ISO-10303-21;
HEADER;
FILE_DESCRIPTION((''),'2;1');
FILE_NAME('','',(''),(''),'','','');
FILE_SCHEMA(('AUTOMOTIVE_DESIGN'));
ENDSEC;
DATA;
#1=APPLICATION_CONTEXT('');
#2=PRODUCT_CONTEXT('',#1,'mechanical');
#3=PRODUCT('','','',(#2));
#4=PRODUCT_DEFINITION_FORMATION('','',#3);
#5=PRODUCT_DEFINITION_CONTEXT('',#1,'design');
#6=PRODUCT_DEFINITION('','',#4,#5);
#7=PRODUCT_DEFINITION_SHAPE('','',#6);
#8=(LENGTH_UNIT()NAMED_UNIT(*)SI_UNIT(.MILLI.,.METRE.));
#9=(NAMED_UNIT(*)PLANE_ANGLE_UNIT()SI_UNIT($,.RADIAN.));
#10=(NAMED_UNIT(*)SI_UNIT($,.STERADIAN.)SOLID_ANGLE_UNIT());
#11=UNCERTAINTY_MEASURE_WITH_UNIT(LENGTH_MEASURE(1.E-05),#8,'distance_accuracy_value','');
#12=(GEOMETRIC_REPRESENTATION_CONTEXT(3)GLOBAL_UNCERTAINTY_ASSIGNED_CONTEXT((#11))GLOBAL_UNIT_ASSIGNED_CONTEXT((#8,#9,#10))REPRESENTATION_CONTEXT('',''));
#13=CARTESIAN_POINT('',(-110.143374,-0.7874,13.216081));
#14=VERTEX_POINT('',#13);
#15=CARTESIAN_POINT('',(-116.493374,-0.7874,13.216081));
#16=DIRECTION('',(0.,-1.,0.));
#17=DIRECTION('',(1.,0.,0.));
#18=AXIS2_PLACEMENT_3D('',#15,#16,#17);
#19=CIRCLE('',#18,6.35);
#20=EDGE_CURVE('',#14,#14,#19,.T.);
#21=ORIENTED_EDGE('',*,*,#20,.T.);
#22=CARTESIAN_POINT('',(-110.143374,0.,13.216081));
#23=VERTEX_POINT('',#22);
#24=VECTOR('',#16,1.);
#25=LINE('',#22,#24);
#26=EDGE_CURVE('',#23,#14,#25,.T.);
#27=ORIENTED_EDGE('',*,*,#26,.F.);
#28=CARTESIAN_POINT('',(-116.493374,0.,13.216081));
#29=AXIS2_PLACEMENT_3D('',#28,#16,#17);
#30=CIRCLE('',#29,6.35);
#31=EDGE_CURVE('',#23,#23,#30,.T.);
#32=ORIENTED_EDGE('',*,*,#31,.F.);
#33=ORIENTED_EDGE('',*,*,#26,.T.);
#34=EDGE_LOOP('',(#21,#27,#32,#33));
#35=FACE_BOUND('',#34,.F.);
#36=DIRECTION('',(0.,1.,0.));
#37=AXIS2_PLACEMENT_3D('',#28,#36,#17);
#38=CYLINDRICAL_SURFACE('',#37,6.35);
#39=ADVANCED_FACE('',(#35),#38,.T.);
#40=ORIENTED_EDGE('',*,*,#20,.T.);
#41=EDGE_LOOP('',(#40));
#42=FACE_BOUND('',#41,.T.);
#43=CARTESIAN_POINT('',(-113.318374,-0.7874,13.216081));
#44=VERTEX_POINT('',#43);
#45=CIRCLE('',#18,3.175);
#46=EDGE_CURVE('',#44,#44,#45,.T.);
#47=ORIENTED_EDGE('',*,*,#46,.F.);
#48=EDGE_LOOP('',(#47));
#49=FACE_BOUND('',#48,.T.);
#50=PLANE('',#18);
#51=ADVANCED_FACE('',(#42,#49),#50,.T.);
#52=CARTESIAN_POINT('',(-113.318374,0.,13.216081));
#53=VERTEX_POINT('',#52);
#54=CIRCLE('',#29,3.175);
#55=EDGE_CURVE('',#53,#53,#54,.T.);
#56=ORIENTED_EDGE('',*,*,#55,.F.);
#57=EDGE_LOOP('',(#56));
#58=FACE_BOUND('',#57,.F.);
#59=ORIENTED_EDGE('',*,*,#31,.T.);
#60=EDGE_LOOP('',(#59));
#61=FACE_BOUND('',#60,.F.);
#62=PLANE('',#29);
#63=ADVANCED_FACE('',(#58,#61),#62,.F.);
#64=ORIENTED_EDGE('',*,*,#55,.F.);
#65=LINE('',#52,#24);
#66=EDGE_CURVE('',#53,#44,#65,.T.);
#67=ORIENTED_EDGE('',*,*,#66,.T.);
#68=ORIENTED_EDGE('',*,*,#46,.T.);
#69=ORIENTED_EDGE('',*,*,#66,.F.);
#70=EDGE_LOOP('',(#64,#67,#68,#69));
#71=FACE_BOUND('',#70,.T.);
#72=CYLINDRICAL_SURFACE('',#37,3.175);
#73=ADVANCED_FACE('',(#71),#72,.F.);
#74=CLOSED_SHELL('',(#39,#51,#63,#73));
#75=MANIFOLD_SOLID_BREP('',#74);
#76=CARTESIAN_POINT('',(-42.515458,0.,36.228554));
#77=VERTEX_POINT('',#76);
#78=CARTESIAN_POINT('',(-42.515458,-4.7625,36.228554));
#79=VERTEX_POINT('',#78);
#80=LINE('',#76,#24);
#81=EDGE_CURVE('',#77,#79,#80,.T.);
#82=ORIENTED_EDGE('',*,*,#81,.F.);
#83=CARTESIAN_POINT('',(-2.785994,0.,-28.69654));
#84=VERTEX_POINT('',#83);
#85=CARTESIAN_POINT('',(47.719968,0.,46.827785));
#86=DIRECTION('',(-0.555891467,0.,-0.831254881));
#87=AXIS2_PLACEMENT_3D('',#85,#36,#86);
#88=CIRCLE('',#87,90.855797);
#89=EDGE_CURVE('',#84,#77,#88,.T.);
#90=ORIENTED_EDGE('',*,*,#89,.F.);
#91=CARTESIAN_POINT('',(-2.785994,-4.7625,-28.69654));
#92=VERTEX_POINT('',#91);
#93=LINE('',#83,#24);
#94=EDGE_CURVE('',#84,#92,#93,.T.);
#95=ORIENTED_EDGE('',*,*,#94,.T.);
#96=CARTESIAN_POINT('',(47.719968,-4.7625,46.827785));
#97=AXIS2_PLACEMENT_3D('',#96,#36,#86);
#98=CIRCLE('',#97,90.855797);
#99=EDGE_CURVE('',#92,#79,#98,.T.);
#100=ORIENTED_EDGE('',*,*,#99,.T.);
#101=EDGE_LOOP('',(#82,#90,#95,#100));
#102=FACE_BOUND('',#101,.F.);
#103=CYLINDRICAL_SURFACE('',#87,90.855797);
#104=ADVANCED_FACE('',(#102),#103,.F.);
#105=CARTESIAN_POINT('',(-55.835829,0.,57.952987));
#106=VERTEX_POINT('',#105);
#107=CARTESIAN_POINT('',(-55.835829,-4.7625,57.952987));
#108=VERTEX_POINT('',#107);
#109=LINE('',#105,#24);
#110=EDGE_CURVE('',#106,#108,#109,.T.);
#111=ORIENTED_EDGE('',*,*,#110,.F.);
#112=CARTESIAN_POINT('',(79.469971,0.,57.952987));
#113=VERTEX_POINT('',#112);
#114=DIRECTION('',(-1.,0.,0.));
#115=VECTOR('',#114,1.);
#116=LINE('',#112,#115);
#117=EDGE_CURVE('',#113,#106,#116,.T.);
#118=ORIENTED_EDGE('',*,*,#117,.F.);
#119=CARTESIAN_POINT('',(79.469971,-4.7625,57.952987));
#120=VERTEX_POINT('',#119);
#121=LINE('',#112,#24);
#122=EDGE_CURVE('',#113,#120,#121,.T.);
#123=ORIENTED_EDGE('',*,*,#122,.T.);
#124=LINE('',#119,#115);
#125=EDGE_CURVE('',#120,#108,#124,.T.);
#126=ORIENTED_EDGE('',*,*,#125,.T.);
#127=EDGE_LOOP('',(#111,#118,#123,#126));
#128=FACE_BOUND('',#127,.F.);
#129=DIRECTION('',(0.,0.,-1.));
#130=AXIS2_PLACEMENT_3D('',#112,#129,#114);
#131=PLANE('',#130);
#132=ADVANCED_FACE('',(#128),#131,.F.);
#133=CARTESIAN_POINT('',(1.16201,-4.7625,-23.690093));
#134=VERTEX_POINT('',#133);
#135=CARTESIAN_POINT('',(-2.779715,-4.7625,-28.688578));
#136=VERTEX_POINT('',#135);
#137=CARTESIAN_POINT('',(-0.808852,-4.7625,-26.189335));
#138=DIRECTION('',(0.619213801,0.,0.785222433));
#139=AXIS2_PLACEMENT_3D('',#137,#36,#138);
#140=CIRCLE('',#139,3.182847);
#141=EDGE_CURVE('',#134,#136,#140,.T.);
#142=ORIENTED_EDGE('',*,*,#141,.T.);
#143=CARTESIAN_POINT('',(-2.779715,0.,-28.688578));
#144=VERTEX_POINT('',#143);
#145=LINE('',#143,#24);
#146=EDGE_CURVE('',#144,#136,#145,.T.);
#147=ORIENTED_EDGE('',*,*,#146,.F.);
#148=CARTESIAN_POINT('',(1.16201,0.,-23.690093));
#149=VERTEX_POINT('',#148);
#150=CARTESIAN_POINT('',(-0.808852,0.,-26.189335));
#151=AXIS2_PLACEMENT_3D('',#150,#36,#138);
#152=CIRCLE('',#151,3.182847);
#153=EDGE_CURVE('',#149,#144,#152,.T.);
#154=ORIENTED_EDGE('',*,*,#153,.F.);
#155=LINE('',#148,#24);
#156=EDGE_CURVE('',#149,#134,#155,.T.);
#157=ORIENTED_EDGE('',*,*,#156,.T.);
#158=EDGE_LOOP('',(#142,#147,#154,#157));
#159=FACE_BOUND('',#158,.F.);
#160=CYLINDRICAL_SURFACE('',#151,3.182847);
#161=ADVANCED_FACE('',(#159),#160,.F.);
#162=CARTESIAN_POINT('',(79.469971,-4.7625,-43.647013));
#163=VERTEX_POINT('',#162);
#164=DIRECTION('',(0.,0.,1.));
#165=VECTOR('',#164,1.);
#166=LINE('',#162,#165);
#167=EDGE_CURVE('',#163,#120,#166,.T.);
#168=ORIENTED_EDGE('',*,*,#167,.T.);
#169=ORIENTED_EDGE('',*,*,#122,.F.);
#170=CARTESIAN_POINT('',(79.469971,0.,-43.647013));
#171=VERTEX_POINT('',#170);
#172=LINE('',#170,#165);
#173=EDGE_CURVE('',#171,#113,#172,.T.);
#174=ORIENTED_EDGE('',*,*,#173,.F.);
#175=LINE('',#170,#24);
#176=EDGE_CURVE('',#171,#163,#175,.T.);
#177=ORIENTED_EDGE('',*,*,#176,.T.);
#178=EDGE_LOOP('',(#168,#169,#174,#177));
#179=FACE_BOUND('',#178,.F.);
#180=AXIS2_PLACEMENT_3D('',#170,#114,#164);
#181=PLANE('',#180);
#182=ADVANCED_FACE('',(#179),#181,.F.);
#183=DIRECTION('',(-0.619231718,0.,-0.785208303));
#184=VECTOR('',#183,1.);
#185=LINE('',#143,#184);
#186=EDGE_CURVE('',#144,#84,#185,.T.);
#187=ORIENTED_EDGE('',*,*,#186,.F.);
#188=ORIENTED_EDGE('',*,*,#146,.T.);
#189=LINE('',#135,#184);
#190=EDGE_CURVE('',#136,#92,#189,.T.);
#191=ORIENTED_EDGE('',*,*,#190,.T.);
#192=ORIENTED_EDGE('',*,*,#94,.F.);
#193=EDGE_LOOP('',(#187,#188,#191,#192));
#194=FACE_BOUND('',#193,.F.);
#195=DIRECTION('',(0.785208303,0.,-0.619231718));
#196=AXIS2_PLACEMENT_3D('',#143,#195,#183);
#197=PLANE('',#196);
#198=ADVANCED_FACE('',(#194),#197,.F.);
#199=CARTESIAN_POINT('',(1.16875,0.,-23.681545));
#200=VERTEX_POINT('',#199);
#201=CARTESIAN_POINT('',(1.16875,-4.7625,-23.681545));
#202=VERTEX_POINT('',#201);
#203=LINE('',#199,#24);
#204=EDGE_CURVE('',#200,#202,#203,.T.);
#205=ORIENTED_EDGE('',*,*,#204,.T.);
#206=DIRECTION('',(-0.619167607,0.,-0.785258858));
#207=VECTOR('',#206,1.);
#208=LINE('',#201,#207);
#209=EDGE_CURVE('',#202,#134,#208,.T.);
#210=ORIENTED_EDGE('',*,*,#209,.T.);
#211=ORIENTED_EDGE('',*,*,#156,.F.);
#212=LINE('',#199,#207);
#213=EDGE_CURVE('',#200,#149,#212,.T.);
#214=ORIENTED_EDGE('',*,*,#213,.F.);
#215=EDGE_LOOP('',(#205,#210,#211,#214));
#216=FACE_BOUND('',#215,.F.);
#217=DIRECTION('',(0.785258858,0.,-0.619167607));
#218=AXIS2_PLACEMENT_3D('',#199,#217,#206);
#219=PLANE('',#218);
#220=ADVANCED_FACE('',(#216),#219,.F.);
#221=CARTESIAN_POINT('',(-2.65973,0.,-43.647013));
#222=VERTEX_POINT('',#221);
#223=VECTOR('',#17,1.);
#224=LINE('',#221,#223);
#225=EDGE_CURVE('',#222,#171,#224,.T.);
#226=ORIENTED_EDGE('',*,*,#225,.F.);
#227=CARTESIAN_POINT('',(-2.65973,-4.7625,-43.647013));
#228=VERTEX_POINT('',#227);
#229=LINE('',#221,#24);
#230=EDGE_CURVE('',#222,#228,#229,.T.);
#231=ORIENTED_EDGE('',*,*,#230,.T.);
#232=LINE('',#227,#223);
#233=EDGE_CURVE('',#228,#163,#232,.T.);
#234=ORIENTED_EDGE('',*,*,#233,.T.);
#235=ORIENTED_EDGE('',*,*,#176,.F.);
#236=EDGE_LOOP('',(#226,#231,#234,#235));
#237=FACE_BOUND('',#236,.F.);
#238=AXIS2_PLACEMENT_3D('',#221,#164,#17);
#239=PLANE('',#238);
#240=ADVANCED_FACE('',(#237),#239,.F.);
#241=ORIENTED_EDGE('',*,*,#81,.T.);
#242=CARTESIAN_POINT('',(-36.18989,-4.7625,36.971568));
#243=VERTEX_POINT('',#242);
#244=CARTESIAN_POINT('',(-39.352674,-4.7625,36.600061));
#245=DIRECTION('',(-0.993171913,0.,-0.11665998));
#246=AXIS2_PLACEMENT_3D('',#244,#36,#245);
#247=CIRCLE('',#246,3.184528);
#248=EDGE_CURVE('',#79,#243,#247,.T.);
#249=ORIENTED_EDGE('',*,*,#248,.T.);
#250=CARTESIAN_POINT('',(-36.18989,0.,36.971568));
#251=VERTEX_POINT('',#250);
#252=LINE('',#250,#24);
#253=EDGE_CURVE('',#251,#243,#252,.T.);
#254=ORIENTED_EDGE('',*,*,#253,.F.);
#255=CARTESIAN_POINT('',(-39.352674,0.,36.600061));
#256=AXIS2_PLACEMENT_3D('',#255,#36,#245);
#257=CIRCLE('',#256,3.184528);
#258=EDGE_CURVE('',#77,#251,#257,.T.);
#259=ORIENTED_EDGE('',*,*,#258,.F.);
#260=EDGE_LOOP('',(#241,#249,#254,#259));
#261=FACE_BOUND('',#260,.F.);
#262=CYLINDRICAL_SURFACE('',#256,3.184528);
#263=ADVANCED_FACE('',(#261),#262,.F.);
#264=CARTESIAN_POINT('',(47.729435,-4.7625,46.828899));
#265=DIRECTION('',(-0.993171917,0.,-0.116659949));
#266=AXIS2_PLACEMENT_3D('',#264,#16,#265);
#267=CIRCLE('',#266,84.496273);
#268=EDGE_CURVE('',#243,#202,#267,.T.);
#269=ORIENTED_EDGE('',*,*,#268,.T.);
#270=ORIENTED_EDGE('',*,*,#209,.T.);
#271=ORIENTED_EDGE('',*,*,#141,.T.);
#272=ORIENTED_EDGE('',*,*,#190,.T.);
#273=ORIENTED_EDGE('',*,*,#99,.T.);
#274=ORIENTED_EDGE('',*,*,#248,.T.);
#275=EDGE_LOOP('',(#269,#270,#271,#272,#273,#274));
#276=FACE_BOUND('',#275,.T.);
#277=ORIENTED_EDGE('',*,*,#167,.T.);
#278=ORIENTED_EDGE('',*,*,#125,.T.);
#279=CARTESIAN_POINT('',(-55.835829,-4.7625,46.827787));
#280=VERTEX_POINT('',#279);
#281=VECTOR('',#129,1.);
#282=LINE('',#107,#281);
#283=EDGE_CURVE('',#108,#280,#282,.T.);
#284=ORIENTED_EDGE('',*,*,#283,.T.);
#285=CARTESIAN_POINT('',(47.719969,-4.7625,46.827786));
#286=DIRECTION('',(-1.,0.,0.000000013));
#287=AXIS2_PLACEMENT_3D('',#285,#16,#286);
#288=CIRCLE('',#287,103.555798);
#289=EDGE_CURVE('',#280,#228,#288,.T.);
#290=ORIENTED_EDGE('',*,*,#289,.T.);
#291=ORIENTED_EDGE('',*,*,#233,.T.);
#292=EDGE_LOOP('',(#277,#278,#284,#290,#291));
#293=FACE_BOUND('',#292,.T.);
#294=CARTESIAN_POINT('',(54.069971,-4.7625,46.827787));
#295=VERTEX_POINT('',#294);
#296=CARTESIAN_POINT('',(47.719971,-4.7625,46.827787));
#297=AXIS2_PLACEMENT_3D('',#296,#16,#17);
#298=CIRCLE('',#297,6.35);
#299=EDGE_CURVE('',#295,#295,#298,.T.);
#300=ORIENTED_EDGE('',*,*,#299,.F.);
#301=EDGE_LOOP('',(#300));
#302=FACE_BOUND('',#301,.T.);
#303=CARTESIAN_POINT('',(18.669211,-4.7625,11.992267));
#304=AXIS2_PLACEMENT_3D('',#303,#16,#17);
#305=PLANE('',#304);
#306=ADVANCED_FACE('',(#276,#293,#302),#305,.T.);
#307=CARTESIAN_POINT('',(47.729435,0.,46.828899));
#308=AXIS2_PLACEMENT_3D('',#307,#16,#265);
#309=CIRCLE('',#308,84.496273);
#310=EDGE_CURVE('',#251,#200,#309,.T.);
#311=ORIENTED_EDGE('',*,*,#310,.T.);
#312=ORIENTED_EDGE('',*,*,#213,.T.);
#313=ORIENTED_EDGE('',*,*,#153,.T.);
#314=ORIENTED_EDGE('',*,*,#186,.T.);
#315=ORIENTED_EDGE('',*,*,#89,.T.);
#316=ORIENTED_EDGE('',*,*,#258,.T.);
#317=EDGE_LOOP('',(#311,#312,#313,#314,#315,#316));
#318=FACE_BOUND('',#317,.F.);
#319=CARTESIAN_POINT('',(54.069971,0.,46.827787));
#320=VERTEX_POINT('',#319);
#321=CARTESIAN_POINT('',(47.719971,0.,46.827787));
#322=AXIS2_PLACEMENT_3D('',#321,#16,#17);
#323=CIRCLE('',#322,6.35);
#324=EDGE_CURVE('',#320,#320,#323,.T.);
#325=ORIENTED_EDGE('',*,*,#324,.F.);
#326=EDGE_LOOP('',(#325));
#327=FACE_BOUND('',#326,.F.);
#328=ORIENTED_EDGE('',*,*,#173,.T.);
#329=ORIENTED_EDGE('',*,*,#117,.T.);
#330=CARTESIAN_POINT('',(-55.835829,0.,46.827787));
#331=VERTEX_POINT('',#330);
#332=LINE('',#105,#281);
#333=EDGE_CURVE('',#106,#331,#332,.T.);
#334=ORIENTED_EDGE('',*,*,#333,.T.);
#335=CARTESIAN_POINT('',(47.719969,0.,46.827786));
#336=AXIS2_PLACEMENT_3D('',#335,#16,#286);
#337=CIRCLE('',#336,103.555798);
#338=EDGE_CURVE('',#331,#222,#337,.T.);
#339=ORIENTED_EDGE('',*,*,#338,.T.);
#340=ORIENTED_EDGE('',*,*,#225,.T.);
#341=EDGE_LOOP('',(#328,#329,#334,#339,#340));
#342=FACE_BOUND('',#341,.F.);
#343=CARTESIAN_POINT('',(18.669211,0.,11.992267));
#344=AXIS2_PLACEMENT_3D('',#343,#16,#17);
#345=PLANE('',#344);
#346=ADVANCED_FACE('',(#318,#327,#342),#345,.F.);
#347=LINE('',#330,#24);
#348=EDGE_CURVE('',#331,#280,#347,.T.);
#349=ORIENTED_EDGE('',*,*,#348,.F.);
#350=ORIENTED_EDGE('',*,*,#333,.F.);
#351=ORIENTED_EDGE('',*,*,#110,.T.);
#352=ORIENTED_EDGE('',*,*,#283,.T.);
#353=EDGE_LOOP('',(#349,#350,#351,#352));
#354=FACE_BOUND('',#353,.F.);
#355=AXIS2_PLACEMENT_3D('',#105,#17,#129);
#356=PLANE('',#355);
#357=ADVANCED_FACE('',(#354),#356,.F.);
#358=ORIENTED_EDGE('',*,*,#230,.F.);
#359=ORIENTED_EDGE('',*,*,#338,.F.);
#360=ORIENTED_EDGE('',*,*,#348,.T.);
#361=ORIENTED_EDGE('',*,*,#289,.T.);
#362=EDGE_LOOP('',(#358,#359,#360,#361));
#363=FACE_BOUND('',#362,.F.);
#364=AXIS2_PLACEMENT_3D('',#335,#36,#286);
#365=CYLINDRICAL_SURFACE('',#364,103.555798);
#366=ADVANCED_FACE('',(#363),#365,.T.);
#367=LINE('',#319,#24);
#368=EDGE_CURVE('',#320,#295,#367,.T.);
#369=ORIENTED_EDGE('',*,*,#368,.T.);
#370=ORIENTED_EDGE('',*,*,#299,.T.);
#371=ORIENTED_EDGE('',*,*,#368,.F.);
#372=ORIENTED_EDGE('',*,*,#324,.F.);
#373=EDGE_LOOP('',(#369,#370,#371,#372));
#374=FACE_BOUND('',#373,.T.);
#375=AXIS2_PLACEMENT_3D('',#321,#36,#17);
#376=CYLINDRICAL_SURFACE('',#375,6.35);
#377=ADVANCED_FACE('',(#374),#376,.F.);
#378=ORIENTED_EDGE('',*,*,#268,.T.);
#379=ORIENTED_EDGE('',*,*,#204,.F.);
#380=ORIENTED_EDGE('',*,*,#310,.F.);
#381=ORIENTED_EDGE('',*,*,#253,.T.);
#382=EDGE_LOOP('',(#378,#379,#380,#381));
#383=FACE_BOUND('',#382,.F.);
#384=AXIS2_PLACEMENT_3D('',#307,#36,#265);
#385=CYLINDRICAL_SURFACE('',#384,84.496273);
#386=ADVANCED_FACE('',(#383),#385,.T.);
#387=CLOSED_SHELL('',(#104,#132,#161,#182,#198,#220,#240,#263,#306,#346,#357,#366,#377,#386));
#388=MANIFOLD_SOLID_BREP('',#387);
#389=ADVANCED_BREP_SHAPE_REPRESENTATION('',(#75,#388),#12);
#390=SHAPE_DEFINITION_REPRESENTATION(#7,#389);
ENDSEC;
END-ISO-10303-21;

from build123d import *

# Parameters (mm, degrees)
F0_R     = 6.35
F1_DEPTH = 4.7625
F2_R     = 6.35
F2_R_2   = 3.175
F3_DEPTH = 0.7874


with BuildPart() as f1:
    # F0 (on Front) → F1 (new body)
    with BuildSketch(Plane.XZ):
        with BuildLine():
            Line((-2.65973, -43.647013), (79.469971, -43.647013))
            Line((79.469971, -43.647013), (79.469971, 57.952987))
            Line((79.469971, 57.952987), (-55.835829, 57.952987))
            Line((-55.835829, 57.952987), (-55.835829, 46.827787))
            ThreePointArc((-55.835829, 46.827787), (-41.557445, -5.644556), (-2.65973, -43.647013))
        make_face()
        with BuildLine():
            ThreePointArc((-2.785994, -28.69654), (-29.777461, -0.59504), (-42.515458, 36.228554))
            ThreePointArc((-42.515458, 36.228554), (-39.724181, 39.762845), (-36.18989, 36.971568))
            ThreePointArc((-36.18989, 36.971568), (-24.214698, 2.515675), (1.16875, -23.681545))
            Line((1.16875, -23.681545), (1.16201, -23.690093))
            ThreePointArc((1.16201, -23.690093), (1.69039, -28.160198), (-2.779715, -28.688578))
            Line((-2.779715, -28.688578), (-2.785994, -28.69654))
        make_face(mode=Mode.SUBTRACT)
        with Locations((47.719971, 46.827787)):
            Circle(F0_R, mode=Mode.SUBTRACT)
    extrude(amount=F1_DEPTH)


with BuildPart() as f3:
    # F2 (on Front) → F3 (new body)
    with BuildSketch(Plane.XZ):
        with Locations((-116.493374, 13.216081)):
            Circle(F2_R)
        with Locations((-116.493374, 13.216081)):
            Circle(F2_R_2, mode=Mode.SUBTRACT)
    extrude(amount=F3_DEPTH)


solid = Compound([f1.part, f3.part])
